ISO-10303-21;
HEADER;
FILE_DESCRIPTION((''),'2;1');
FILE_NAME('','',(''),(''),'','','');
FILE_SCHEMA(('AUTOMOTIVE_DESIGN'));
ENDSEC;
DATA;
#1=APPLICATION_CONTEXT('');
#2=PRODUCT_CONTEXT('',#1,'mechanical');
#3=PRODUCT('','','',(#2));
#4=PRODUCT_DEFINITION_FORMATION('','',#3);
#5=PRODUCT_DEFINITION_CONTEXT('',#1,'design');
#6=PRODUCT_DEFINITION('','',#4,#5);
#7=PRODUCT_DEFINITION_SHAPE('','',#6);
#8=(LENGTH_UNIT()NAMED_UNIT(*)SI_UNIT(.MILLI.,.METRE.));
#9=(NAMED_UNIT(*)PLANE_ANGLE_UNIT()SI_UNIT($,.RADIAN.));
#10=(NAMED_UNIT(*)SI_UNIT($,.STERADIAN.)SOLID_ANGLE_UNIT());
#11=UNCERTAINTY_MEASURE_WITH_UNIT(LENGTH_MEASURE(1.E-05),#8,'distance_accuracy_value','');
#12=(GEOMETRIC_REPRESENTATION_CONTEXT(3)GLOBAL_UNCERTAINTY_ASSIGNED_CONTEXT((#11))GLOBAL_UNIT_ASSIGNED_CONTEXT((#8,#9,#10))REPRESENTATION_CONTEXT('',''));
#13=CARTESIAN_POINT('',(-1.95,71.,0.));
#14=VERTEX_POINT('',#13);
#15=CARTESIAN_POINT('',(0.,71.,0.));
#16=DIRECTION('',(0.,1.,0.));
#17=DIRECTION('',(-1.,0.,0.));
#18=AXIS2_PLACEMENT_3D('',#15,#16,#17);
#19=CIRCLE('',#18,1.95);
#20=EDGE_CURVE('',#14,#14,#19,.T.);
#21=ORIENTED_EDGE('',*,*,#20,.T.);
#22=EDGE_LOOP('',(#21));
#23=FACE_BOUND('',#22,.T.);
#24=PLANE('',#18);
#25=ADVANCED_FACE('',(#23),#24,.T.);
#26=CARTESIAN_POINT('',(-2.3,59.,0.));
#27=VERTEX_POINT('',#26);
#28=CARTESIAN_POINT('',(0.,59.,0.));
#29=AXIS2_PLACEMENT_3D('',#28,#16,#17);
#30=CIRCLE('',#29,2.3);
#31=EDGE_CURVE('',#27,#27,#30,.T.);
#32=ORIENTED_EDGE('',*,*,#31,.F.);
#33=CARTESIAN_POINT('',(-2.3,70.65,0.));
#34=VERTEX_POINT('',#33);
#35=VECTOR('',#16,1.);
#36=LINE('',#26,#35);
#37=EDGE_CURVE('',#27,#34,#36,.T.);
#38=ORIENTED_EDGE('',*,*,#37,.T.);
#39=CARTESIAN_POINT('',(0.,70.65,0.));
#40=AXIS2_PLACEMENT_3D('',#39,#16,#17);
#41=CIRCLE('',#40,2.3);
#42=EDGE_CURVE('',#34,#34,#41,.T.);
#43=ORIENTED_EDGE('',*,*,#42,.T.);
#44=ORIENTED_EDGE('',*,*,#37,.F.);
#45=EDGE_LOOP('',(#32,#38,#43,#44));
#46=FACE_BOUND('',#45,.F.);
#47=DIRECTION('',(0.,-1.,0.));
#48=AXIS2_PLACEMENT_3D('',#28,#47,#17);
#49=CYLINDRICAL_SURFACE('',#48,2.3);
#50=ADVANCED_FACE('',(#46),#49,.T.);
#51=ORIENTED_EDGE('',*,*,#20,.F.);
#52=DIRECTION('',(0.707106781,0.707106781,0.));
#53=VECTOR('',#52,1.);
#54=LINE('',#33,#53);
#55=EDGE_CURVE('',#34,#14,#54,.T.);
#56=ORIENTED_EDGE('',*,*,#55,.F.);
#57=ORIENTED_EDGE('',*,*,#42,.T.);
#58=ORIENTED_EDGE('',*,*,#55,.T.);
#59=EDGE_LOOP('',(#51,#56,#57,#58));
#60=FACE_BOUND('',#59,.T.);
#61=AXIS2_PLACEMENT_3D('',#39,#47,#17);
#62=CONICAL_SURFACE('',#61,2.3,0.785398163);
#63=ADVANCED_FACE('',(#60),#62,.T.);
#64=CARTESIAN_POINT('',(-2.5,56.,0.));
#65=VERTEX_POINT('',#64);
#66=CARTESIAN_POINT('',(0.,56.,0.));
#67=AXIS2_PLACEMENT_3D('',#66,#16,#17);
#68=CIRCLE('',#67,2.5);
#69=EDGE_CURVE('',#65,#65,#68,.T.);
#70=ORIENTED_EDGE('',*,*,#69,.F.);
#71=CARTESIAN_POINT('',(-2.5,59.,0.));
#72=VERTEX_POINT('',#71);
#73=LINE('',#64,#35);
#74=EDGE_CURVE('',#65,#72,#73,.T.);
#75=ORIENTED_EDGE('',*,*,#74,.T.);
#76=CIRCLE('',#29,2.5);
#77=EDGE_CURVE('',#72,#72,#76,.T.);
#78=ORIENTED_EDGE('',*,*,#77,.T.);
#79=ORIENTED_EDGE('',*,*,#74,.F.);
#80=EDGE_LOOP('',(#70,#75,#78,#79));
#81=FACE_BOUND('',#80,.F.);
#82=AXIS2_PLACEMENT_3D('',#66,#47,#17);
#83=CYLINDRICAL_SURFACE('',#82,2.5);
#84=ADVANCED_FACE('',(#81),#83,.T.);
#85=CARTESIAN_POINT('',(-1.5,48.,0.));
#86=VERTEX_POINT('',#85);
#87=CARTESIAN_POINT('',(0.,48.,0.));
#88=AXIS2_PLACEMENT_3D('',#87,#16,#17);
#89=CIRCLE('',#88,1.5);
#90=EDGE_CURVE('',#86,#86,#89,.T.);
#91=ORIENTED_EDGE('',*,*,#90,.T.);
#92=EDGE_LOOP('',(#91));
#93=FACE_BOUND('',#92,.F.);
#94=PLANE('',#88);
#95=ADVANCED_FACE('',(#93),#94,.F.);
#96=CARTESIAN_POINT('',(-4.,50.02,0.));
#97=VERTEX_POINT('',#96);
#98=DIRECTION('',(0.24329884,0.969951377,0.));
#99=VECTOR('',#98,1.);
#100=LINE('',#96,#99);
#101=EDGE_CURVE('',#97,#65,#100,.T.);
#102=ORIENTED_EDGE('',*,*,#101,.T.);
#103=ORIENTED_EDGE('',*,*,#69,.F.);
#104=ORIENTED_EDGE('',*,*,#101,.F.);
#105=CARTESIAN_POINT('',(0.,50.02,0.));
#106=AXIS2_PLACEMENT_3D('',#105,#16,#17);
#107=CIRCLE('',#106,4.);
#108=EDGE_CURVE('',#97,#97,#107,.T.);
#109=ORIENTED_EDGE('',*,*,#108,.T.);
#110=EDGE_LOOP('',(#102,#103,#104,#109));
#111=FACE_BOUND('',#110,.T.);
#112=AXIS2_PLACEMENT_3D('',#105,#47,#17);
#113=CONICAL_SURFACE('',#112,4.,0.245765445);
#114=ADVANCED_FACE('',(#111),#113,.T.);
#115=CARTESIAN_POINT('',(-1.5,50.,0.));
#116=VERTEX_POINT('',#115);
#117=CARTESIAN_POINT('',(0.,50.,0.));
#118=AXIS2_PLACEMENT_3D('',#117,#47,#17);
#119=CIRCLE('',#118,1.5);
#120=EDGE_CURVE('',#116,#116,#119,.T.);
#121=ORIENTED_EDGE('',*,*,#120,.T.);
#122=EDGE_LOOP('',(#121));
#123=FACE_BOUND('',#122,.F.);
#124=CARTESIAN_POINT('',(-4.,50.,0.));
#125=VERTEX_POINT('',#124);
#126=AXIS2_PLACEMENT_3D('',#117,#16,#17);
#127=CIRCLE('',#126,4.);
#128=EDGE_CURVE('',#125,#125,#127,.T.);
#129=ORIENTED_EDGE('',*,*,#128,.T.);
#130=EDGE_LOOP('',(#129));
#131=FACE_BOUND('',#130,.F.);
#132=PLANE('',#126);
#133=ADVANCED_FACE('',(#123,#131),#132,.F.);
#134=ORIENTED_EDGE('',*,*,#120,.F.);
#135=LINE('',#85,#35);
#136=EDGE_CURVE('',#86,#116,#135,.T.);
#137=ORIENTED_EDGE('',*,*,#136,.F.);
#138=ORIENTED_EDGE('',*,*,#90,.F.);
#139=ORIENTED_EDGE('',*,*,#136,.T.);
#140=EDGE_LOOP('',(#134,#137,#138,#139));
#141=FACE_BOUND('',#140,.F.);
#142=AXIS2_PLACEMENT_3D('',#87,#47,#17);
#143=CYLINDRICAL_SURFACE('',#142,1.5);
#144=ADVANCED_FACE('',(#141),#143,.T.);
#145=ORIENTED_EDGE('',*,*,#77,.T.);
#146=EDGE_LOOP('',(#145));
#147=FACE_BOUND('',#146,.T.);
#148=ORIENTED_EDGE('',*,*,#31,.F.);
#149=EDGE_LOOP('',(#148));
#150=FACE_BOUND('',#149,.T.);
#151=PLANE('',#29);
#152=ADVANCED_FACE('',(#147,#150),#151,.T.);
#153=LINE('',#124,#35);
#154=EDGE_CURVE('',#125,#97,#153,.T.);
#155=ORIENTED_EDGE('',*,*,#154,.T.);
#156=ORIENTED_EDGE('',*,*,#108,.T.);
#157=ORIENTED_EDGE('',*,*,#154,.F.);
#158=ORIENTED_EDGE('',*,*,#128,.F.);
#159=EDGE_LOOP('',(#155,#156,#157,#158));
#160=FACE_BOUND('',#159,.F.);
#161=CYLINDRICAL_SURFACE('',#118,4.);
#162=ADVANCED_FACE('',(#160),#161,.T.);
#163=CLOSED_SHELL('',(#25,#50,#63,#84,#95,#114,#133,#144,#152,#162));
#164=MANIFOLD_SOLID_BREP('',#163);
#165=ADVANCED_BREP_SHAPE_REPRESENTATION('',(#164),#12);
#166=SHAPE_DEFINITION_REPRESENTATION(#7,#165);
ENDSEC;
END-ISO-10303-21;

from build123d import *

# Parameters (mm, degrees)
CYLINDER022_R             = 2.3
CYLINDER022_DEPTH         = 12
CHAMFER002_SIZE           = 0.35
CYLINDER021_R             = 2.5
CYLINDER021_DEPTH         = 3
CYLINDER020_R             = 4
CYLINDER020_DEPTH         = 6
CHAMFER001_SIZE2          = 1.5
CHAMFER001_SIZE           = 5.98
CYLINDER019_R             = 1.5
CYLINDER019_DEPTH         = 10
FUSION005_ROLL_ANGLE      = 90
FUSION005_PLACEMENT_ANGLE = 180


with BuildPart() as chamfer002:
    # Cylinder022 → Cylinder022 (new body)
    with BuildSketch(Plane.XY.offset(39)):
        Circle(CYLINDER022_R)
    extrude(amount=CYLINDER022_DEPTH)

    # Chamfer002
    chamfer002_edges = [chamfer002.edges().sort_by_distance(p)[0] for p in [
        (-2.3, 0, 51),
    ]]
    chamfer(chamfer002_edges, length=CHAMFER002_SIZE)


with BuildPart() as cylinder021:
    # Cylinder021 → Cylinder021 (new body)
    with BuildSketch(Plane.XY.offset(36)):
        Circle(CYLINDER021_R)
    extrude(amount=CYLINDER021_DEPTH)


with BuildPart() as fusion003:
    # Cylinder020 → Cylinder020 (new body)
    with BuildSketch(Plane.XY):
        Circle(CYLINDER020_R)
    extrude(amount=CYLINDER020_DEPTH)

    # Chamfer001
    chamfer001_edges = [fusion003.edges().sort_by_distance(p)[0] for p in [
        (-4, 0, 6),
    ]]
    chamfer001_side = fusion003.faces().sort_by_distance((-4, 0, 3))[0]
    chamfer(chamfer001_edges, length=CHAMFER001_SIZE, length2=CHAMFER001_SIZE2, reference=chamfer001_side)


with BuildPart() as fusion003_1:
    # Chamfer001 placement: moved
    add(fusion003.part.moved(Location((0, 0, 30))))

    # Fusion003: union Cylinder021
    add(cylinder021.part)


with BuildPart() as rotor_shaft:
    # Cylinder019 → Cylinder019 (new body)
    with BuildSketch(Plane.XY.offset(28)):
        Circle(CYLINDER019_R)
    extrude(amount=CYLINDER019_DEPTH)

    # Fusion004: union Fusion003
    add(fusion003_1.part)

    # Fusion005: union Chamfer002
    add(chamfer002.part)


with BuildPart() as rotor_shaft_1:
    # Fusion005 roll: moved
    add(rotor_shaft.part.rotate(Axis((0, 0, 0), (1, 0, 0)), FUSION005_ROLL_ANGLE))


with BuildPart() as rotor_shaft_2:
    # Fusion005 placement: moved
    add(rotor_shaft_1.part.moved(Location((0, 20, 0))).rotate(Axis((0, 20, 0), (0, 0, 1)), FUSION005_PLACEMENT_ANGLE))


solid = rotor_shaft_2.part
